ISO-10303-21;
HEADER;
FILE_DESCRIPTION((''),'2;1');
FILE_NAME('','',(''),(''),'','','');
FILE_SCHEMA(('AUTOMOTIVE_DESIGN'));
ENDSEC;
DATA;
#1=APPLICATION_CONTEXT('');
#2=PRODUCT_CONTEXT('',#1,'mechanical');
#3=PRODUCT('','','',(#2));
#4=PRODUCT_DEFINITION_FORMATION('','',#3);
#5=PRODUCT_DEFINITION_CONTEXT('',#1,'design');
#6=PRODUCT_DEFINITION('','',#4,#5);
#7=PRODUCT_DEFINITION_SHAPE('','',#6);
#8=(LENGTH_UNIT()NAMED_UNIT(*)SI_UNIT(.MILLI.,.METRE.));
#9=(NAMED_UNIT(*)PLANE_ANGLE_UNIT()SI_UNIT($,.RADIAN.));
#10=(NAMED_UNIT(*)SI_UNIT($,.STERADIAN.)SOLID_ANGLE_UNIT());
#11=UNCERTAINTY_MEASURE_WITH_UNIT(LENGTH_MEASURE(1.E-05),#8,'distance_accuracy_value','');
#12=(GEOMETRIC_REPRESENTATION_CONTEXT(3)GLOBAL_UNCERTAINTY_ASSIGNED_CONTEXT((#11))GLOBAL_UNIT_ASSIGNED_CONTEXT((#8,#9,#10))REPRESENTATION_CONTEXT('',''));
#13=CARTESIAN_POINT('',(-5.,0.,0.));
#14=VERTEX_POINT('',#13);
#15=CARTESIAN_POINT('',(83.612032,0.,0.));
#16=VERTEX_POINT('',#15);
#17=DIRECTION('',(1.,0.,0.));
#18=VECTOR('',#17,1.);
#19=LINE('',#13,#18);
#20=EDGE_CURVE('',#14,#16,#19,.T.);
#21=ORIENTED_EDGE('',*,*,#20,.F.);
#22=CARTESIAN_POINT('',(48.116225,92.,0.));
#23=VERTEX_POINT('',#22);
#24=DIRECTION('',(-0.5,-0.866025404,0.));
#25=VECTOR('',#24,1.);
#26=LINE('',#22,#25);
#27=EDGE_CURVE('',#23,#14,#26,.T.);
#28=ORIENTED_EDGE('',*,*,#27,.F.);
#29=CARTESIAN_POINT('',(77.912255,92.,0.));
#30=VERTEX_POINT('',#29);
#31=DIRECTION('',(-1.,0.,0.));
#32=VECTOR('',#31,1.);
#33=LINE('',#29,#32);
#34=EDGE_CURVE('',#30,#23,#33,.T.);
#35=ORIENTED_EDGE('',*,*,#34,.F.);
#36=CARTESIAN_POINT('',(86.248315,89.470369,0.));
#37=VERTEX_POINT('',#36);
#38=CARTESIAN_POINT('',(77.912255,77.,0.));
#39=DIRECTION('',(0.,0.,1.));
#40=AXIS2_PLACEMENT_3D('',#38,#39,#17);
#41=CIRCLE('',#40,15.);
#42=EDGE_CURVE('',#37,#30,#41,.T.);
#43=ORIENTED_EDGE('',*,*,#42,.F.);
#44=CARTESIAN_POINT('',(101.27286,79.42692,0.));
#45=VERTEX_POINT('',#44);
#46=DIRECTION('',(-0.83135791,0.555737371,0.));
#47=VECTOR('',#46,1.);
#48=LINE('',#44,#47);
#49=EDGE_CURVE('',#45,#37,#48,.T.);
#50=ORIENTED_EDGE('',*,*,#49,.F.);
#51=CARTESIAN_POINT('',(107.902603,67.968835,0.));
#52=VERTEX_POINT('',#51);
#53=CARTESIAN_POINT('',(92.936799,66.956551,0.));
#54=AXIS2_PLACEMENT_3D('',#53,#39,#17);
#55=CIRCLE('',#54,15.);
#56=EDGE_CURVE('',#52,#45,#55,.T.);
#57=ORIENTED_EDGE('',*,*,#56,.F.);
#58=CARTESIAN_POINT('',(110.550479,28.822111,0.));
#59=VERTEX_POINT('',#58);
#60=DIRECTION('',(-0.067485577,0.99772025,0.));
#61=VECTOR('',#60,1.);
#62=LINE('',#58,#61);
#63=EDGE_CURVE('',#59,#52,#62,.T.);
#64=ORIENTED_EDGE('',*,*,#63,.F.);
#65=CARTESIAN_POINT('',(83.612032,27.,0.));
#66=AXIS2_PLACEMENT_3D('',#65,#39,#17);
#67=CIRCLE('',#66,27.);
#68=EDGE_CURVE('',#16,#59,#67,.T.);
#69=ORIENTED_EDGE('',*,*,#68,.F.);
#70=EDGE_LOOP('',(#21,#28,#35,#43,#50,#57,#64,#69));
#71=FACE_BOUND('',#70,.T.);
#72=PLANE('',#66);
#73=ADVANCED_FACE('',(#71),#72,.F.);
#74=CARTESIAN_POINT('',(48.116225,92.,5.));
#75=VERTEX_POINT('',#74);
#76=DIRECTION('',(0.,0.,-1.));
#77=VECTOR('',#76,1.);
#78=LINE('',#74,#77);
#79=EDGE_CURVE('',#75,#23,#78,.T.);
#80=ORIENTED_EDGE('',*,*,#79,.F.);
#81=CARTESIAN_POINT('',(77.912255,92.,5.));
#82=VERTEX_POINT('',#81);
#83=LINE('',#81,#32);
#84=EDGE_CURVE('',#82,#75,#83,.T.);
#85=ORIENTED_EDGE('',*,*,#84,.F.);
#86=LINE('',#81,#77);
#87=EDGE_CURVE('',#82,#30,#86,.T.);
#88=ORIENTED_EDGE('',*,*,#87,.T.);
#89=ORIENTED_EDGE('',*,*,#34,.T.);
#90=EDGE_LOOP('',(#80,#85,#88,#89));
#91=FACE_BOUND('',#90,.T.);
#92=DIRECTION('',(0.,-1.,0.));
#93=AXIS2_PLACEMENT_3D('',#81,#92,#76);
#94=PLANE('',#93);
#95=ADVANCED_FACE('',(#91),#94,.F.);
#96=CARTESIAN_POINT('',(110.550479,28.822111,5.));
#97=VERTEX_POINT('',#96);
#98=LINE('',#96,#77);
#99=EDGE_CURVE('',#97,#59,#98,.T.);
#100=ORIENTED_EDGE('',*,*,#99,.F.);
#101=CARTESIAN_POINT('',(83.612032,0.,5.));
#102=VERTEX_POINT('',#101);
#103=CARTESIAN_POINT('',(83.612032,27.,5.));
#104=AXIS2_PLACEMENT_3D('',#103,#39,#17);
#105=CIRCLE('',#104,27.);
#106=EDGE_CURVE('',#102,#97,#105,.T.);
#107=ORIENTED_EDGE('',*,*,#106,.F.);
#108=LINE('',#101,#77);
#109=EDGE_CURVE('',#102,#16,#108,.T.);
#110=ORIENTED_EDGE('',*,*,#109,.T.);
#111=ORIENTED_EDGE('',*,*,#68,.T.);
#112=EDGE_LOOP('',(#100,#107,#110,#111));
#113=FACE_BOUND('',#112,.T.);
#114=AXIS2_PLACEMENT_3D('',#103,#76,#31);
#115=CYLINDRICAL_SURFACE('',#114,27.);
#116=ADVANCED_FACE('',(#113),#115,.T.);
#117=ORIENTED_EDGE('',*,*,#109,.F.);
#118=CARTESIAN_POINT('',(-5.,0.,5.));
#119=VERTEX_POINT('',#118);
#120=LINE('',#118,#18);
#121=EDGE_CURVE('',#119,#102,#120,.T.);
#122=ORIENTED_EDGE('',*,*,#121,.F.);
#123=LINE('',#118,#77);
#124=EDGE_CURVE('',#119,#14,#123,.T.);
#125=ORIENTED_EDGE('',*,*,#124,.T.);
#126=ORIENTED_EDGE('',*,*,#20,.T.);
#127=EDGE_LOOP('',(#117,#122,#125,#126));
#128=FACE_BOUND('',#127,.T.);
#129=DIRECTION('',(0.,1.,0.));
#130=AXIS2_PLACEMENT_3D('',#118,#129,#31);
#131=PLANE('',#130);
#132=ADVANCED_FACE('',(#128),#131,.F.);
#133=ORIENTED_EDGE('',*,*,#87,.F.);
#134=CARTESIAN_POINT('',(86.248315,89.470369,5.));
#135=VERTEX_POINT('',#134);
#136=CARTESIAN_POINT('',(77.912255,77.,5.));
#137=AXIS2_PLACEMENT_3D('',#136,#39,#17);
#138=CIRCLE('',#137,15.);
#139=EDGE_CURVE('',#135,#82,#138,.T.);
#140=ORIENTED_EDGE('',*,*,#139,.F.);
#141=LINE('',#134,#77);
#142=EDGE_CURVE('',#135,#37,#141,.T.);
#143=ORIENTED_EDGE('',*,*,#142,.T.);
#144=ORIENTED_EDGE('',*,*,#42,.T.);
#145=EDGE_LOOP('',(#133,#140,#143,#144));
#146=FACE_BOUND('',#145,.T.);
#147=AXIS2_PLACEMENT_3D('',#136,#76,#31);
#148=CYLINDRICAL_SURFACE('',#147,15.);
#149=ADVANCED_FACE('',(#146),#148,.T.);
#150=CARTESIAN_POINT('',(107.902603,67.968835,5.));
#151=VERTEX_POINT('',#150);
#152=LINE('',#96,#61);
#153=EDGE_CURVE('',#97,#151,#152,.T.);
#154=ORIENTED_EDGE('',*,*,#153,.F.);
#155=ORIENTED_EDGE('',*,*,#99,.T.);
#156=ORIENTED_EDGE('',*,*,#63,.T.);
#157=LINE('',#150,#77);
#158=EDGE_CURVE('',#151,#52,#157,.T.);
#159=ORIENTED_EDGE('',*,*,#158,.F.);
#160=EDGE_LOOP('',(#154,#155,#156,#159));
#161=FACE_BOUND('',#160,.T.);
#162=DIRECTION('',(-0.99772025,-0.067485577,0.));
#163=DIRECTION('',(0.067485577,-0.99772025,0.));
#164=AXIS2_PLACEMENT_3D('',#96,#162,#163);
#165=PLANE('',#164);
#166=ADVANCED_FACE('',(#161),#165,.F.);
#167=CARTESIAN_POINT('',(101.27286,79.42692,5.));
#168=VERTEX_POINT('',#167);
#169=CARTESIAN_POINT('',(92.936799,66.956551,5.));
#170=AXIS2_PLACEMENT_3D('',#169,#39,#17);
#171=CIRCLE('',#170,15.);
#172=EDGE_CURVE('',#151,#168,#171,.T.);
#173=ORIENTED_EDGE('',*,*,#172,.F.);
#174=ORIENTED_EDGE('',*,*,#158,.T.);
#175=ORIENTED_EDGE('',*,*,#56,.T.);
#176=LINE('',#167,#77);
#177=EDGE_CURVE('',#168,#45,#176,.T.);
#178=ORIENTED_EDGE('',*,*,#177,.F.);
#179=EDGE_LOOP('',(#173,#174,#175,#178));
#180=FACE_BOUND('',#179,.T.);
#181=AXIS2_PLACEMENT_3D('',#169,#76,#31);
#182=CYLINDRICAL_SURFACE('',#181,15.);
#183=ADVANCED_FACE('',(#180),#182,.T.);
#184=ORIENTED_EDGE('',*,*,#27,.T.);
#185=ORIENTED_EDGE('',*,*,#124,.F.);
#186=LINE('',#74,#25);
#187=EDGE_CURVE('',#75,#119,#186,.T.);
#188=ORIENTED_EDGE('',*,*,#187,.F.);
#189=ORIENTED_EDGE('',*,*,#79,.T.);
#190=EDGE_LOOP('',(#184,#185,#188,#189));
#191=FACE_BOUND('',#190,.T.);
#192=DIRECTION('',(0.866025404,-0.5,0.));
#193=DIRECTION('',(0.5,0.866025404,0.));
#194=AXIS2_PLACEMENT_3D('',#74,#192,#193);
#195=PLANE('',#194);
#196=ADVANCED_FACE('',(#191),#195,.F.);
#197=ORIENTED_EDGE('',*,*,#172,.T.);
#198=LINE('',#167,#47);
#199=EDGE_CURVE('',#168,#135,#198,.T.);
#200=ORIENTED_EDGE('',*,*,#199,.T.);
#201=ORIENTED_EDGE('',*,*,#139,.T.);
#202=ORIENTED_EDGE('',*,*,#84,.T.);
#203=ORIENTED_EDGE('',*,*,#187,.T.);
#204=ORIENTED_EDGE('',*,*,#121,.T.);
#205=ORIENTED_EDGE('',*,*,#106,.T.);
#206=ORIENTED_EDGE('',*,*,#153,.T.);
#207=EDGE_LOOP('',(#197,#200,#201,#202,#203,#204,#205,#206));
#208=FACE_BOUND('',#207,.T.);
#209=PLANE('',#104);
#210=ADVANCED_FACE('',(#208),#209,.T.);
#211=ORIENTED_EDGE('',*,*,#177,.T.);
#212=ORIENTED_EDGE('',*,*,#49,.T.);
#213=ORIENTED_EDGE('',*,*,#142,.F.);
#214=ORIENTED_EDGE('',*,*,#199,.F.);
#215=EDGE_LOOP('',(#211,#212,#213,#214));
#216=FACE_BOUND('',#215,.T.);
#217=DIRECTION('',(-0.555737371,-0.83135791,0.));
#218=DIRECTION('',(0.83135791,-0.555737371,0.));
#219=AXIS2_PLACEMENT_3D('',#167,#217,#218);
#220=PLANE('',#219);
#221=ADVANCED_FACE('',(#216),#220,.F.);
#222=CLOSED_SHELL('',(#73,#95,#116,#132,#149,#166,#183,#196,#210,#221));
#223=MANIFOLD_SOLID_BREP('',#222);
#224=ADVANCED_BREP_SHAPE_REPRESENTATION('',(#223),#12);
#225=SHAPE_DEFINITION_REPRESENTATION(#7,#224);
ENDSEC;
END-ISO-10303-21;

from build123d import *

# Parameters (mm, degrees)
BASE_EXTRUDE_DEPTH = 5


with BuildPart() as part:
    # Sketch2 → Base-Extrude (new body)
    with BuildSketch(Plane.XY):
        with BuildLine():
            Line((48.116224765, 92), (-5, 0))
            Line((-5, 0), (83.61203206, 0))
            ThreePointArc((83.61203206, 0), (103.33761172, 8.563582044), (110.550478804, 28.822110589))
            Line((110.550478804, 28.822110589), (107.902603037, 67.968834584))
            ThreePointArc((107.902603037, 67.968834584), (105.920101953, 74.468797721), (101.27285986, 79.426919569))
            Line((101.27285986, 79.426919569), (86.248315424, 89.470368646))
            ThreePointArc((86.248315424, 89.470368646), (82.267967787, 91.353667296), (77.912254854, 92))
            Line((77.912254854, 92), (48.116224765, 92))
        make_face()
    extrude(amount=BASE_EXTRUDE_DEPTH)


solid = part.part
